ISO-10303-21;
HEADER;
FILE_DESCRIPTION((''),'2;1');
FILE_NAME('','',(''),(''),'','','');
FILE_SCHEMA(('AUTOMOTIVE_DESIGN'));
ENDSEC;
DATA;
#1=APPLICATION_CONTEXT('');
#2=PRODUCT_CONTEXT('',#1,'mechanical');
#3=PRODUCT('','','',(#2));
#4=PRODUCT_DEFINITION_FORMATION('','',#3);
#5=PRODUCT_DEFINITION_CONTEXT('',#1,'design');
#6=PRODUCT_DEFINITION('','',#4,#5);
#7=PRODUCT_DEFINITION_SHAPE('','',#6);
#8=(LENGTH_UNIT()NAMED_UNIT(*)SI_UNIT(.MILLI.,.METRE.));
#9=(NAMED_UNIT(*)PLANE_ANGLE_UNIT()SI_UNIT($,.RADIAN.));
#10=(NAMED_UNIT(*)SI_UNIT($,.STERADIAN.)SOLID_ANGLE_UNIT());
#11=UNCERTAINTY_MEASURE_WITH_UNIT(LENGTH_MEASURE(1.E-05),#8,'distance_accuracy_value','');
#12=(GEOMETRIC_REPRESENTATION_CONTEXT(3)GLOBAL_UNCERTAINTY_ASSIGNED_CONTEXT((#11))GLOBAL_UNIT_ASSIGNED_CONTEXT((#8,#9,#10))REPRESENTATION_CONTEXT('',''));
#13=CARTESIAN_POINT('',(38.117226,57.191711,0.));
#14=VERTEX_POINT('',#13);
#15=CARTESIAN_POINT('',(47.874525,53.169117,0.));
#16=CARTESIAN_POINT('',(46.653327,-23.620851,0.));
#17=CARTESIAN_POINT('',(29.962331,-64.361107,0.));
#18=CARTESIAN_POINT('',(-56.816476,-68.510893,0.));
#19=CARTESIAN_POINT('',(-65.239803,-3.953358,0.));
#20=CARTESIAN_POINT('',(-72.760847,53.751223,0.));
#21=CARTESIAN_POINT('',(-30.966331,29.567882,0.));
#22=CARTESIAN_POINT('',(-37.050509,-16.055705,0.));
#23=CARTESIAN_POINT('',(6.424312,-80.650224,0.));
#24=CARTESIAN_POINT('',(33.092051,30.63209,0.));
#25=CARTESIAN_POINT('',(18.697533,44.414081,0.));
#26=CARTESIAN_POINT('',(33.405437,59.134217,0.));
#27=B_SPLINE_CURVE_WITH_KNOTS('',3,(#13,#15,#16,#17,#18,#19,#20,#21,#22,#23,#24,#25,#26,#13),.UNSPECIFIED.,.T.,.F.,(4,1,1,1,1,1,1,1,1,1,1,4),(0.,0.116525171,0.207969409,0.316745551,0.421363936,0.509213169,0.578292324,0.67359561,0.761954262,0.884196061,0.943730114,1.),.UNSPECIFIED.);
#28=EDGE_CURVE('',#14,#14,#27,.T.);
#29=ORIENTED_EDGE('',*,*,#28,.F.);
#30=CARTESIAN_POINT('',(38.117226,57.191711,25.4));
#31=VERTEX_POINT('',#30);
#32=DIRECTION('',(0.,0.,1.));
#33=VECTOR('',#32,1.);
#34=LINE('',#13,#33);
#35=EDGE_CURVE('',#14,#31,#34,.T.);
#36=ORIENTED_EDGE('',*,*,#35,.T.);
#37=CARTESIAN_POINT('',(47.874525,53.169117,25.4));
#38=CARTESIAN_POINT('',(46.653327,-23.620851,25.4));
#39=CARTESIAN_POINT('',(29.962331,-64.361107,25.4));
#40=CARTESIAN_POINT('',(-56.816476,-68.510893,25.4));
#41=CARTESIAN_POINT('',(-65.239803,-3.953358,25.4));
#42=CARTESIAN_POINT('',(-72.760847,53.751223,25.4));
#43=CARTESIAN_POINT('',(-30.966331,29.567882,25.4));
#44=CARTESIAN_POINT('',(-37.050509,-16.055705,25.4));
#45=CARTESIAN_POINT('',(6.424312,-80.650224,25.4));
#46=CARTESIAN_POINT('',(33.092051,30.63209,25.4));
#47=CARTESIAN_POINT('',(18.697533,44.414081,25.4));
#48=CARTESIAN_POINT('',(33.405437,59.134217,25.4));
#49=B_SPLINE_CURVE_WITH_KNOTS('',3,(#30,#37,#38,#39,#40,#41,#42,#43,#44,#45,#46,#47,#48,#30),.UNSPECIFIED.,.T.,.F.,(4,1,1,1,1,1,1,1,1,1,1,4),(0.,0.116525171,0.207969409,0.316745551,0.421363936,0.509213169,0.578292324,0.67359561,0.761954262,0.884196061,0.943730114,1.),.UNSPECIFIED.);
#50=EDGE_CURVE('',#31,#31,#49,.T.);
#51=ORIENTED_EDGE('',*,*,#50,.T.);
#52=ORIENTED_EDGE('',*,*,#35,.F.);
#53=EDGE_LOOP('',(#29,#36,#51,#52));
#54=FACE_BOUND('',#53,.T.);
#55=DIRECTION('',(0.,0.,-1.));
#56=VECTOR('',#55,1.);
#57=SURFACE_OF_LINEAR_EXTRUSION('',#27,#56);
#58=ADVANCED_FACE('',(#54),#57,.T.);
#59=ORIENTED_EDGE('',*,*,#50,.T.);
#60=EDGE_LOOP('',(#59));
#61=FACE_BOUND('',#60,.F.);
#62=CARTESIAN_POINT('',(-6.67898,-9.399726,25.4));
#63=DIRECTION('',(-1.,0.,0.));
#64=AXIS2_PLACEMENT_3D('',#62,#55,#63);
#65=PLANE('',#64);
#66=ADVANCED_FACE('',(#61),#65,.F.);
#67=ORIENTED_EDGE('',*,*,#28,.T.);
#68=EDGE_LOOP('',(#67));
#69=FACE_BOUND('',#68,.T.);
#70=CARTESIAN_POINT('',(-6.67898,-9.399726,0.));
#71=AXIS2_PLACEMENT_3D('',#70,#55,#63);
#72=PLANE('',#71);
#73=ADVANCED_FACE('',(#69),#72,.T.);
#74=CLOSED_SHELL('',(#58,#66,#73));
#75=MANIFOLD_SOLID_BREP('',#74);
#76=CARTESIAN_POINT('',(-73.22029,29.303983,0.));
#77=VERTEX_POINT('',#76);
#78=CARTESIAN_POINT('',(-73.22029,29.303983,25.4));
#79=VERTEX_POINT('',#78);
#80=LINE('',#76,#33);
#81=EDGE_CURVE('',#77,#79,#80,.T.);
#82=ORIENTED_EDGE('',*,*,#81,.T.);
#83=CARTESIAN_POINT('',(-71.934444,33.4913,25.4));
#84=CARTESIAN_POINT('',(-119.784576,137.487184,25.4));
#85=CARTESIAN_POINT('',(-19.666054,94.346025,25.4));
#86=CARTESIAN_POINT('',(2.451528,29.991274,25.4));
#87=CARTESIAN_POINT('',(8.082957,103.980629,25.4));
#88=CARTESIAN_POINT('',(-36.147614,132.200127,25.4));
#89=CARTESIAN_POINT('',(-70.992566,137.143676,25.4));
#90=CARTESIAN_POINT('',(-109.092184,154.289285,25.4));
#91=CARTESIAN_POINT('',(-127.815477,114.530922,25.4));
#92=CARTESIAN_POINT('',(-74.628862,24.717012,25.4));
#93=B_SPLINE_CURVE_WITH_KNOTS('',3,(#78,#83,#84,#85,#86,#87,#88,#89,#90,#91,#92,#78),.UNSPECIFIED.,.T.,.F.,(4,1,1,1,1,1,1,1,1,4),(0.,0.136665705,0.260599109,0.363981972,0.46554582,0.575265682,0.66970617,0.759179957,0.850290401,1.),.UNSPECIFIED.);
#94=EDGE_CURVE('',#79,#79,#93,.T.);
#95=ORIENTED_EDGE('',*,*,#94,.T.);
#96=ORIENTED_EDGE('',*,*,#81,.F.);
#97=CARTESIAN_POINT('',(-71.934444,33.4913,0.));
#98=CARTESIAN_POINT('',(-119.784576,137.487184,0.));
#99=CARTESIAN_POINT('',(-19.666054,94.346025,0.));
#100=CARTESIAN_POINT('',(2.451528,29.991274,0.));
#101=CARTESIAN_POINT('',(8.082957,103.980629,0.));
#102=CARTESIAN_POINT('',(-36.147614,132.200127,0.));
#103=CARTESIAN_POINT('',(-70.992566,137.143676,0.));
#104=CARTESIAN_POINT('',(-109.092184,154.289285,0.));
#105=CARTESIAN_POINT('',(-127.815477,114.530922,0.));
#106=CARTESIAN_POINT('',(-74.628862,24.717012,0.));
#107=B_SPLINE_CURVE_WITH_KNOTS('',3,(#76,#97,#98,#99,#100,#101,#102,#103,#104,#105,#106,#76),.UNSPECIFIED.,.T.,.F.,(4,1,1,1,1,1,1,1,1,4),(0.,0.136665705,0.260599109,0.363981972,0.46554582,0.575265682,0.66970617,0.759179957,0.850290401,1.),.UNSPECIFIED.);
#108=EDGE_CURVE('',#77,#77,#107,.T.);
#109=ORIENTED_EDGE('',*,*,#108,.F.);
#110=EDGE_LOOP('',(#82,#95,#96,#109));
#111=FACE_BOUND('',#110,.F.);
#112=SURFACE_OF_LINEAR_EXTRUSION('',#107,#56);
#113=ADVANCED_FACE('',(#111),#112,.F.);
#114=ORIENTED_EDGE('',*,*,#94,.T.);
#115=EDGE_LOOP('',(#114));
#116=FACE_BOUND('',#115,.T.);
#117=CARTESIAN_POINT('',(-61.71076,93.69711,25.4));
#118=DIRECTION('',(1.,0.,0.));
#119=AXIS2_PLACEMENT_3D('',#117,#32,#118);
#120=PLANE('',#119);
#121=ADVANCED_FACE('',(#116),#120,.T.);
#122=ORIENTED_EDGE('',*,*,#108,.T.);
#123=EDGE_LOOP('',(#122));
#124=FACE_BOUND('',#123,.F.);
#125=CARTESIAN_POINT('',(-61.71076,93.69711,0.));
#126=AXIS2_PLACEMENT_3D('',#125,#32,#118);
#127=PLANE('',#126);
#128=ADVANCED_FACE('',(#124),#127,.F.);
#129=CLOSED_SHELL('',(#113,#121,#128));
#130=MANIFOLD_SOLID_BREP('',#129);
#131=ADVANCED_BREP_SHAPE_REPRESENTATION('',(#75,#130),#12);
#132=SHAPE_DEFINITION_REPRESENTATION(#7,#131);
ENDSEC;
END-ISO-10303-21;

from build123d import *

# Parameters (mm, degrees)
F1_DEPTH = 25.4
F3_DEPTH = 25.4


with BuildPart() as f1:
    # F0 (on Top) → F1 (new body)
    with BuildSketch(Plane.XY):
        with BuildLine():
            add(Edge.make_bspline(
                [(38.1172262132, 57.1917109191), (47.8745248965, 53.1691168345), (46.6533274143, -23.6208506646), (29.962331485, -64.3611071357), (-56.8164761791, -68.5108934217), (-65.2398032672, -3.9533580612), (-72.7608467354, 53.751223153), (-30.9663305923, 29.5678819126), (-37.0505091007, -16.0557050441), (6.4243124012, -80.6502244049), (33.0920507484, 30.6320899136), (18.6975329127, 44.4140809185), (33.4054366523, 59.134217491), (38.1172262132, 57.1917109191)],
                knots=[0, 0, 0, 0, 0.1165251715, 0.2079694091, 0.3167455507, 0.4213639362, 0.5092131686, 0.5782923244, 0.6735956103, 0.7619542625, 0.8841960613, 0.9437301138, 1, 1, 1, 1], degree=3))
        make_face()
    extrude(amount=F1_DEPTH)


with BuildPart() as f3:
    # F2 (on Top) → F3 (new body)
    with BuildSketch(Plane.XY):
        with BuildLine():
            add(Edge.make_bspline(
                [(-73.2202902436, 29.3039828539), (-71.9344441063, 33.4912998607), (-119.7845764682, 137.4871840429), (-19.6660544376, 94.3460254941), (2.451527648, 29.9912738896), (8.082957459, 103.9806287445), (-36.1476136816, 132.2001266297), (-70.992565778, 137.1436762263), (-109.0921841116, 154.2892853884), (-127.8154772837, 114.5309220672), (-74.6288624281, 24.7170123816), (-73.2202902436, 29.3039828539)],
                knots=[0, 0, 0, 0, 0.1366657045, 0.2605991085, 0.3639819719, 0.4655458205, 0.575265682, 0.6697061701, 0.759179957, 0.8502904007, 1, 1, 1, 1], degree=3))
        make_face()
    extrude(amount=F3_DEPTH)


solid = Compound([f1.part, f3.part])
